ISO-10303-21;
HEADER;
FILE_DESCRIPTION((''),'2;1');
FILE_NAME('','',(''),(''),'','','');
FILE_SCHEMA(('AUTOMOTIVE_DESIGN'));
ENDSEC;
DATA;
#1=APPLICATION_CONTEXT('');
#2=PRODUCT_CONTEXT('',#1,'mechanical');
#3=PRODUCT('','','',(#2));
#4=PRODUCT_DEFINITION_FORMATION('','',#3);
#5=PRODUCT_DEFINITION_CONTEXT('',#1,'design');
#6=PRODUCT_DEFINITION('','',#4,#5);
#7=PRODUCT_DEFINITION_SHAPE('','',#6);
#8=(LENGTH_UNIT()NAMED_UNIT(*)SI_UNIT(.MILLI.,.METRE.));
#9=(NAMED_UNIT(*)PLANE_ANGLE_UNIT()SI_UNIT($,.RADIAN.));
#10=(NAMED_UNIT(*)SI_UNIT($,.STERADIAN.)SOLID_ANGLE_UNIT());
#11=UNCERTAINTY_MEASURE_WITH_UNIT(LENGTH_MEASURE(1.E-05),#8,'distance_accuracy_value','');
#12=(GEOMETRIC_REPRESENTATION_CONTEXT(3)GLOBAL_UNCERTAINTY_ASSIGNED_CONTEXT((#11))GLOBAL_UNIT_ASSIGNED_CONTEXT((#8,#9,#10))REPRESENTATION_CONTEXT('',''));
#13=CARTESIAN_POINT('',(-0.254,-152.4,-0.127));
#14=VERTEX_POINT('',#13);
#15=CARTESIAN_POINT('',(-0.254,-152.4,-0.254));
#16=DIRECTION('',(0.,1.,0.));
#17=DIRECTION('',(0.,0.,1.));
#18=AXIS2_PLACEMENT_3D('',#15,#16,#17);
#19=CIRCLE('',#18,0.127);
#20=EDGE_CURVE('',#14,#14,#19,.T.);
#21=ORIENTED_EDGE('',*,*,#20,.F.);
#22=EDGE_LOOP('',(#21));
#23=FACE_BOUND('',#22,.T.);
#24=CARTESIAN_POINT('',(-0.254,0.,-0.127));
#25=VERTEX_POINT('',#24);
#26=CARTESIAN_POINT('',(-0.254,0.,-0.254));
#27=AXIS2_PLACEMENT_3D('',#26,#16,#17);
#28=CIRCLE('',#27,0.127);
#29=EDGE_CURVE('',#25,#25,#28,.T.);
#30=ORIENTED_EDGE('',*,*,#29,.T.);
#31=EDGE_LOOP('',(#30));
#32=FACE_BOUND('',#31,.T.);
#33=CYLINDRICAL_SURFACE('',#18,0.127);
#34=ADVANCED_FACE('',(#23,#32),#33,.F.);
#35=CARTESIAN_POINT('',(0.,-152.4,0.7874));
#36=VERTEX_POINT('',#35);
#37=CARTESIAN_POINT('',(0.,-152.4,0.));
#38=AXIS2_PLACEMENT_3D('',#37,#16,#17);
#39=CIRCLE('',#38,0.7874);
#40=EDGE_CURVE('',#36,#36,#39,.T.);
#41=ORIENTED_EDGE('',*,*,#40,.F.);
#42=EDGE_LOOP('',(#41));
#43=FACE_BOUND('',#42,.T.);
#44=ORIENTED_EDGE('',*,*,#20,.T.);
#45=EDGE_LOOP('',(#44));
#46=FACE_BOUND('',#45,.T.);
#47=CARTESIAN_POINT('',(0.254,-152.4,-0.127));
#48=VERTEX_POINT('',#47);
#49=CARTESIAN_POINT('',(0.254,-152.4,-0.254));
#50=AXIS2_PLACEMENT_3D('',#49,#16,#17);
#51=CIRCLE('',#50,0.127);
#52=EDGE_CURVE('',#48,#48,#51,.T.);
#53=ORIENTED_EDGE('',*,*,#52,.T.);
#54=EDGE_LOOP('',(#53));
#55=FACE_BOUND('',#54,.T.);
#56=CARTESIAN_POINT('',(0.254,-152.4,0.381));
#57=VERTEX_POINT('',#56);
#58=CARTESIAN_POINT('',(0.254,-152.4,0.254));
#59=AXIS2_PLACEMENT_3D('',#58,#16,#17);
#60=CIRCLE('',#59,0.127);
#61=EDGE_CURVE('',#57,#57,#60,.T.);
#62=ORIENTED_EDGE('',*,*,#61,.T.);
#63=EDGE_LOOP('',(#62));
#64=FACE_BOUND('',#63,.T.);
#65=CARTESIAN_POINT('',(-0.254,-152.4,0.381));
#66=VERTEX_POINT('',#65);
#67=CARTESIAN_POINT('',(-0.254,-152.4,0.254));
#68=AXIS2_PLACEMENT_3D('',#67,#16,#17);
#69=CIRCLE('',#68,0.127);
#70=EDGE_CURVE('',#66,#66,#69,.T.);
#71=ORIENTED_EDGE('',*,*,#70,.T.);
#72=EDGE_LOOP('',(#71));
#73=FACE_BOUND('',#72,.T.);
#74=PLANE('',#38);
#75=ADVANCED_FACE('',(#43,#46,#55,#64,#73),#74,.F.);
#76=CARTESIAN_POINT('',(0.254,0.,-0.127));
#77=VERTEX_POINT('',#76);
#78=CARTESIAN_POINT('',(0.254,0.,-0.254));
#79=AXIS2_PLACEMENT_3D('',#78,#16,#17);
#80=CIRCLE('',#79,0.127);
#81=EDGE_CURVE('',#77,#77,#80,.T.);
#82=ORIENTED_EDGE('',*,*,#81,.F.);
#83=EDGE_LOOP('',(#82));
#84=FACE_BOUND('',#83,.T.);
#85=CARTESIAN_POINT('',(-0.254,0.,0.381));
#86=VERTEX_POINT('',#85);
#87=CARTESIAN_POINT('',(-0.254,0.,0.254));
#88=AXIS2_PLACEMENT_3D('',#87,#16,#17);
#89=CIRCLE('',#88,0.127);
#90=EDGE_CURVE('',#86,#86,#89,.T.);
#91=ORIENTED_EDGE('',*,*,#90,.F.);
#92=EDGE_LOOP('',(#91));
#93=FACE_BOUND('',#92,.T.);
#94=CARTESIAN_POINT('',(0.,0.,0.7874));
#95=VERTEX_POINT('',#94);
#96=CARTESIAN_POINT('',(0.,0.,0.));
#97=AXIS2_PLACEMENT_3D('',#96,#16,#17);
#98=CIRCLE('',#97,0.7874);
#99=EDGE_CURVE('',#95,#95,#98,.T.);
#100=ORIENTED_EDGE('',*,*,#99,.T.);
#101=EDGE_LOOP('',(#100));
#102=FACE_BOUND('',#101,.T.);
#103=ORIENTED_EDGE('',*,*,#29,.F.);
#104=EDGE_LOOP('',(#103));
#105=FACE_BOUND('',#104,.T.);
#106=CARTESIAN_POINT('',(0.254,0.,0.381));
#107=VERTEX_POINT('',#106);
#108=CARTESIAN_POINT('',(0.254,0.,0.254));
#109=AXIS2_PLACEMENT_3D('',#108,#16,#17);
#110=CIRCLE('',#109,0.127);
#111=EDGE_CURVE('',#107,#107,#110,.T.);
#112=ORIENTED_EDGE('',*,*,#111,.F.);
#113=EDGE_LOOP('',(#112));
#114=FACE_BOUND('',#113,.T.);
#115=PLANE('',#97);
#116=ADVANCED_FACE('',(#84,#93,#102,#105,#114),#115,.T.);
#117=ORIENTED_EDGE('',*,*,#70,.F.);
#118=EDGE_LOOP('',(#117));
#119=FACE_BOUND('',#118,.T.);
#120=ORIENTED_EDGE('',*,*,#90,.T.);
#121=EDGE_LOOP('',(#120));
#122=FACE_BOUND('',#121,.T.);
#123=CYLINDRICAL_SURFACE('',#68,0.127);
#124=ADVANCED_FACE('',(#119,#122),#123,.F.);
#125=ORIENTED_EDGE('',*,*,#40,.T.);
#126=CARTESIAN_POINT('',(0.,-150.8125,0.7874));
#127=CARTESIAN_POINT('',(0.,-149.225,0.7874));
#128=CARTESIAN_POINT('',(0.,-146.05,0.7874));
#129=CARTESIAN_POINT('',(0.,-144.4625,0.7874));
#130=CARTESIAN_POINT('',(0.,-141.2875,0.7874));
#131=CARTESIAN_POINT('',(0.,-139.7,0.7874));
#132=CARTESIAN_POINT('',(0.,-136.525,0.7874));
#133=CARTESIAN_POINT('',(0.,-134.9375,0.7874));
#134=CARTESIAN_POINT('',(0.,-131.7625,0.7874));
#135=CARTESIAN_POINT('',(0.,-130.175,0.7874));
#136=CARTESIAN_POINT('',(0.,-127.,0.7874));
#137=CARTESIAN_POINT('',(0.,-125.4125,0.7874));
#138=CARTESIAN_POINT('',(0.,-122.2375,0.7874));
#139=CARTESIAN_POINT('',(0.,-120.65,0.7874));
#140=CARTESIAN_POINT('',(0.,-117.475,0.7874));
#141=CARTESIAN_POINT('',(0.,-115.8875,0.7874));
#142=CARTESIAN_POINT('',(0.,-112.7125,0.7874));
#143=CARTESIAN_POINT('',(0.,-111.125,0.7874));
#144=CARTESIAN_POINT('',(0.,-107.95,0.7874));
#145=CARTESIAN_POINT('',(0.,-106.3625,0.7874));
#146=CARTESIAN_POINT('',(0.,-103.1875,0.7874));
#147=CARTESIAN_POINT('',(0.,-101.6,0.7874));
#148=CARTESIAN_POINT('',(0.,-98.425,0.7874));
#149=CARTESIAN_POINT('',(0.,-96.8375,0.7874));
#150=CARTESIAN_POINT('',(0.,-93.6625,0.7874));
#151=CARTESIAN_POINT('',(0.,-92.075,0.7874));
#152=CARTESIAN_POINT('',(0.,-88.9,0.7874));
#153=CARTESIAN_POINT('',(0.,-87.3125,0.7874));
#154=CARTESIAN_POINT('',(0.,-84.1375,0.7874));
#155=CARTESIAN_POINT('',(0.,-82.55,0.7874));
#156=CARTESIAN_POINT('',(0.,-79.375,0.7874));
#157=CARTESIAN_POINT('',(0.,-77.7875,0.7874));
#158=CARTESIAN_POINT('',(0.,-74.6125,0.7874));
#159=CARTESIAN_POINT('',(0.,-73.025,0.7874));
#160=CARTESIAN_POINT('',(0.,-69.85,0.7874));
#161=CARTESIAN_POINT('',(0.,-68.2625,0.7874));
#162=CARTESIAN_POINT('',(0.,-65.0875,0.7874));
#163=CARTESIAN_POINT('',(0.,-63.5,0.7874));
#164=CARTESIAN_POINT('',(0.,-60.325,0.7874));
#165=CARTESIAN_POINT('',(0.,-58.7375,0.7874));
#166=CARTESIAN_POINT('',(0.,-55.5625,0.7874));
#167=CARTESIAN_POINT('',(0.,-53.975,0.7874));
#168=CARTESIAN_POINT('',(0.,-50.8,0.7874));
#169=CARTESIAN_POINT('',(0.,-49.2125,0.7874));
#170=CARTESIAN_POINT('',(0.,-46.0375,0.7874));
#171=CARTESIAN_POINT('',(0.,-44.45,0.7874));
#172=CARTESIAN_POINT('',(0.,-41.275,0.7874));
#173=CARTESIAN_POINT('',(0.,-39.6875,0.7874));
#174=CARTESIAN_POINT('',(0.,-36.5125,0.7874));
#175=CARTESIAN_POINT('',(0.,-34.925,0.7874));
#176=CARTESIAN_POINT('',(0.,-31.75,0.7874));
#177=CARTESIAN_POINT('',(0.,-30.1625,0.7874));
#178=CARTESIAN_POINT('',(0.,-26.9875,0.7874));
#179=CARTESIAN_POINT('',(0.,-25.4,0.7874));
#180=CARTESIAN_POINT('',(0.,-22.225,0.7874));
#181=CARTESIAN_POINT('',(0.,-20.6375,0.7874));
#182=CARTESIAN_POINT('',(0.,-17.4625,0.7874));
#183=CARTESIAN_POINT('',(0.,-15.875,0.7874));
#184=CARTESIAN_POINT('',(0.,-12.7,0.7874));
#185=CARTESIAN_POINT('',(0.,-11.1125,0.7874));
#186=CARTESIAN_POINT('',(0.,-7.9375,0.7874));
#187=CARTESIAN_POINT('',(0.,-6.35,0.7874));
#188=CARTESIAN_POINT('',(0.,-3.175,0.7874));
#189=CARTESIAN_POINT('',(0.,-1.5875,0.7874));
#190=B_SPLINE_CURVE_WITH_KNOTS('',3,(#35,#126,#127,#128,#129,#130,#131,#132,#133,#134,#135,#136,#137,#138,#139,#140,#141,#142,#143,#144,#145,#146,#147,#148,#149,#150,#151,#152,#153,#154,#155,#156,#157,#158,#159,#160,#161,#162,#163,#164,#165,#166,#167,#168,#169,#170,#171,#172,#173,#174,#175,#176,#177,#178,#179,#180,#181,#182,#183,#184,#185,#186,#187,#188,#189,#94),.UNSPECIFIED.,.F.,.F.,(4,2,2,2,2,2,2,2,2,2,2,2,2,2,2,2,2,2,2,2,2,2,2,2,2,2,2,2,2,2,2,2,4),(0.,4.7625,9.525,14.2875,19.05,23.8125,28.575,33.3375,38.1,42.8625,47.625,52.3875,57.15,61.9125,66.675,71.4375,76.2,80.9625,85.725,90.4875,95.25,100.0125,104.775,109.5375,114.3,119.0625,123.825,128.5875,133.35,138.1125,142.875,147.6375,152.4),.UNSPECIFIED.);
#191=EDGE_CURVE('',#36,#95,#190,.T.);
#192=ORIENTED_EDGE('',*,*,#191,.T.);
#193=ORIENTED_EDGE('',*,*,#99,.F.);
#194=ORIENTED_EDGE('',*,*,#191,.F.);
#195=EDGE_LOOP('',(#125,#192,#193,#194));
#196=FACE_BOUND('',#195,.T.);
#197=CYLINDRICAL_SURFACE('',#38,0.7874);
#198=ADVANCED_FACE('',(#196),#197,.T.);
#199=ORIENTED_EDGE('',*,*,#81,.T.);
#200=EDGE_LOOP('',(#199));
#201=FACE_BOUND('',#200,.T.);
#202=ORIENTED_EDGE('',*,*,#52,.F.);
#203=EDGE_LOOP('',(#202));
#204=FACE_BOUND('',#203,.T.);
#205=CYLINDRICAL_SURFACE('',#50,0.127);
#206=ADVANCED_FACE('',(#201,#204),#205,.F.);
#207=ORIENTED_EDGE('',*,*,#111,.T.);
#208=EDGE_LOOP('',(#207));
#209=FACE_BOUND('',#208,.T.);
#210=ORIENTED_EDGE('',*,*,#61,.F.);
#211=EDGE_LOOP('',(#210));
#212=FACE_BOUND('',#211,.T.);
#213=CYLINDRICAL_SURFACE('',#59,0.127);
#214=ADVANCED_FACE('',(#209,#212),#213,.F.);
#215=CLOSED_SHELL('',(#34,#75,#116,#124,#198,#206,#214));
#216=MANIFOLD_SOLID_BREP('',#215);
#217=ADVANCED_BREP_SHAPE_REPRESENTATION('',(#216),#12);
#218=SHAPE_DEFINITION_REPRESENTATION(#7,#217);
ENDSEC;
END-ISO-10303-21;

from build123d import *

# Parameters (mm, degrees)
SKETCH1_R           = 0.7874
SKETCH1_R_2         = 0.127
BOSS_EXTRUDE1_DEPTH = 152.4


with BuildPart() as part:
    # Sketch1 → Boss-Extrude1 (new body)
    with BuildSketch(Plane(origin=(0, 0, 0), x_dir=(1, 0, 0), z_dir=(0, 1, 0))):
        with Locations(Location((0, 0, 0), (0, 0, 270))):
            Circle(SKETCH1_R)
        with Locations(Location((-0.254, 0.254, 0), (0, 0, 270))):
            Circle(SKETCH1_R_2, mode=Mode.SUBTRACT)
        with Locations(Location((0.254, 0.254, 0), (0, 0, 270))):
            Circle(SKETCH1_R_2, mode=Mode.SUBTRACT)
        with Locations(Location((-0.254, -0.254, 0), (0, 0, 270))):
            Circle(SKETCH1_R_2, mode=Mode.SUBTRACT)
        with Locations(Location((0.254, -0.254, 0), (0, 0, 270))):
            Circle(SKETCH1_R_2, mode=Mode.SUBTRACT)
    extrude(amount=-BOSS_EXTRUDE1_DEPTH)


solid = part.part
